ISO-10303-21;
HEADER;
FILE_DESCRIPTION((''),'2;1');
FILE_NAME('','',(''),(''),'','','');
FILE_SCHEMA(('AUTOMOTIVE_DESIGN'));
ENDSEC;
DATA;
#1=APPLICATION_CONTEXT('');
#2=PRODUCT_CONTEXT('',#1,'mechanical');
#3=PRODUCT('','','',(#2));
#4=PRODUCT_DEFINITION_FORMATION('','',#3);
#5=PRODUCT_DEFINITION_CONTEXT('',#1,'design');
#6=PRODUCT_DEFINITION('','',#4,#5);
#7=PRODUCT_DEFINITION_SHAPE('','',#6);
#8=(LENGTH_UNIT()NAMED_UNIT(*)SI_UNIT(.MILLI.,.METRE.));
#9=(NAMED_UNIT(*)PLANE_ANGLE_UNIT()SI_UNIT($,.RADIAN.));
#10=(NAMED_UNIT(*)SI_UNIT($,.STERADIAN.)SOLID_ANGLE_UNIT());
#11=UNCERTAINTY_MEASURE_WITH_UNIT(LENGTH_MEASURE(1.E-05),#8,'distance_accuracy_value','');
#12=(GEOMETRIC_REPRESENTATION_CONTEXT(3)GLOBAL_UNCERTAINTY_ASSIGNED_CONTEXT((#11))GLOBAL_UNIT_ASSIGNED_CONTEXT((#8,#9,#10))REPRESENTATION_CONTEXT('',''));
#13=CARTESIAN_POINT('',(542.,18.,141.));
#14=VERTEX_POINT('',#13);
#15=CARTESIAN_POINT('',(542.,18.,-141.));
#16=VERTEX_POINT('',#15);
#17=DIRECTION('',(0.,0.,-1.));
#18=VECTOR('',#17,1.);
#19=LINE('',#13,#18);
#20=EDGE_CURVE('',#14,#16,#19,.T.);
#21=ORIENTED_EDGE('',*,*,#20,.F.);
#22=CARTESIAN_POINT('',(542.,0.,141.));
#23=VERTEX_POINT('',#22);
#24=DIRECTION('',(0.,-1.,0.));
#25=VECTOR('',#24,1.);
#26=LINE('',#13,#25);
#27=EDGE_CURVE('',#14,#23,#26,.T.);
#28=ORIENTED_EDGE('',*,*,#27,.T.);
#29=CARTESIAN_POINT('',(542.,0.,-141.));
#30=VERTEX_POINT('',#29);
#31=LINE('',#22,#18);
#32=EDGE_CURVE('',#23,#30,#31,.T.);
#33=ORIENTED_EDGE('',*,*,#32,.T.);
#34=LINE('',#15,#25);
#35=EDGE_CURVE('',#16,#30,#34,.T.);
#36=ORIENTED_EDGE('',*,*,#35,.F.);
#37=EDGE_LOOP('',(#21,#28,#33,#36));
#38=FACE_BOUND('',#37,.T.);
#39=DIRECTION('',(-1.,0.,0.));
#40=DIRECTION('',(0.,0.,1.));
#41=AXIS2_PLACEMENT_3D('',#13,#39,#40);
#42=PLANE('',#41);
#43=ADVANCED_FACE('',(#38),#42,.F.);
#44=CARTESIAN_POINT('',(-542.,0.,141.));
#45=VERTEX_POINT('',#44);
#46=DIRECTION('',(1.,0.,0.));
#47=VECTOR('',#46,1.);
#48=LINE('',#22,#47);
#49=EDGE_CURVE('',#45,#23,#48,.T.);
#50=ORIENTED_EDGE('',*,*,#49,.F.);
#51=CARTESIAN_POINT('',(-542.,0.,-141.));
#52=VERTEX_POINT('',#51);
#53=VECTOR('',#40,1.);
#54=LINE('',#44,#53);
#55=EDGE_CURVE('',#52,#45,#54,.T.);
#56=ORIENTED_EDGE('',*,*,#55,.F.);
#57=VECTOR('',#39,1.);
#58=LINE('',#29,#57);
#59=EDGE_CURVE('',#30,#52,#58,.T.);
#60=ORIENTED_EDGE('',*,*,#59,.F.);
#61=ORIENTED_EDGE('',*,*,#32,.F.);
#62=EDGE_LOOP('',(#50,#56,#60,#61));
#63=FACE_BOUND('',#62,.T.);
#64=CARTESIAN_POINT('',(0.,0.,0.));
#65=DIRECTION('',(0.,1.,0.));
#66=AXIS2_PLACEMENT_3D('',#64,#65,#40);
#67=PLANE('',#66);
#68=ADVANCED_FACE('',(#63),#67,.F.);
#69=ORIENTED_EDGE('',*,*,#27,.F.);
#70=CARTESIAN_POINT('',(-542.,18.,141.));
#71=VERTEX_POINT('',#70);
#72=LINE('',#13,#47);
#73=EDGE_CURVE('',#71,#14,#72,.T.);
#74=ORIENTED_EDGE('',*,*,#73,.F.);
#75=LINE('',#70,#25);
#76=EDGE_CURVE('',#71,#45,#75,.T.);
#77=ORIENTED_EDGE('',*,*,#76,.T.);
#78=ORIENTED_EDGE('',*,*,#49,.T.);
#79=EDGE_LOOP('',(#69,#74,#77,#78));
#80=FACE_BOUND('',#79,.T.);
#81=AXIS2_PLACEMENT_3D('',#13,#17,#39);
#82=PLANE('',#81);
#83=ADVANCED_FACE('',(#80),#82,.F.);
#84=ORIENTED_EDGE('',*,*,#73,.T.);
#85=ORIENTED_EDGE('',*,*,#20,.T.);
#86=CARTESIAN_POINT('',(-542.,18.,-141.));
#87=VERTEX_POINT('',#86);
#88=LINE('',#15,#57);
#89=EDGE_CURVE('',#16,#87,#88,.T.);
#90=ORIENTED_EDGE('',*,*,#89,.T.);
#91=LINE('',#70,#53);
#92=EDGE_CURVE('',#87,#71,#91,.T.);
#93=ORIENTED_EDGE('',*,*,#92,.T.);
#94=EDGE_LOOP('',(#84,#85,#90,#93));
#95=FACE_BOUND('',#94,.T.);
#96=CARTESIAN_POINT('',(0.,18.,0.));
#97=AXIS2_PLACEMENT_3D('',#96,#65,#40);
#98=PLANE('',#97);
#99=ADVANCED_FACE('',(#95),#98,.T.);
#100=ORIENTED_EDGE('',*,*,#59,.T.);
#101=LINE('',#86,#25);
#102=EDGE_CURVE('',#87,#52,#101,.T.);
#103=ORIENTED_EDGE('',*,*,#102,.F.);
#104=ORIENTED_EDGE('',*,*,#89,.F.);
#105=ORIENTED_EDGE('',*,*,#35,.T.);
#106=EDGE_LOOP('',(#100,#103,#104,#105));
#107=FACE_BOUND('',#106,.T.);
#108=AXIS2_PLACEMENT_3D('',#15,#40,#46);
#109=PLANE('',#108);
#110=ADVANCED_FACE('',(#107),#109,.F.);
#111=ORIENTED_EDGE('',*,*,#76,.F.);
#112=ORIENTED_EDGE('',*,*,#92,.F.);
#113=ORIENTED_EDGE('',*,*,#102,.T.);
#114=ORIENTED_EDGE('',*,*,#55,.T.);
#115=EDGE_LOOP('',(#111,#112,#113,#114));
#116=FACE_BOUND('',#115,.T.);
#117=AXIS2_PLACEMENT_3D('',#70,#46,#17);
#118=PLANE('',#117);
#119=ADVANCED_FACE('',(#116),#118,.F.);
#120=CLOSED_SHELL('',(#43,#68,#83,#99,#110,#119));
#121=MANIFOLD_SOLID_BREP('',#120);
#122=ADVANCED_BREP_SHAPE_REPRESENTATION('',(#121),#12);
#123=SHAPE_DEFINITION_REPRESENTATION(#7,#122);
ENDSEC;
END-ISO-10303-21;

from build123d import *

# Parameters (mm, degrees)
SKETCH_1_W      = 1084
SKETCH_1_H      = 282
EXTRUDE_1_DEPTH = 18


with BuildPart() as part:
    # Эскиз1 → Бобышка-Вытянуть1 (new body)
    with BuildSketch(Plane(origin=(0, 0, 0), x_dir=(1, 0, 0), z_dir=(0, 1, 0))):
        Rectangle(SKETCH_1_W, SKETCH_1_H)
    extrude(amount=EXTRUDE_1_DEPTH)


solid = part.part
